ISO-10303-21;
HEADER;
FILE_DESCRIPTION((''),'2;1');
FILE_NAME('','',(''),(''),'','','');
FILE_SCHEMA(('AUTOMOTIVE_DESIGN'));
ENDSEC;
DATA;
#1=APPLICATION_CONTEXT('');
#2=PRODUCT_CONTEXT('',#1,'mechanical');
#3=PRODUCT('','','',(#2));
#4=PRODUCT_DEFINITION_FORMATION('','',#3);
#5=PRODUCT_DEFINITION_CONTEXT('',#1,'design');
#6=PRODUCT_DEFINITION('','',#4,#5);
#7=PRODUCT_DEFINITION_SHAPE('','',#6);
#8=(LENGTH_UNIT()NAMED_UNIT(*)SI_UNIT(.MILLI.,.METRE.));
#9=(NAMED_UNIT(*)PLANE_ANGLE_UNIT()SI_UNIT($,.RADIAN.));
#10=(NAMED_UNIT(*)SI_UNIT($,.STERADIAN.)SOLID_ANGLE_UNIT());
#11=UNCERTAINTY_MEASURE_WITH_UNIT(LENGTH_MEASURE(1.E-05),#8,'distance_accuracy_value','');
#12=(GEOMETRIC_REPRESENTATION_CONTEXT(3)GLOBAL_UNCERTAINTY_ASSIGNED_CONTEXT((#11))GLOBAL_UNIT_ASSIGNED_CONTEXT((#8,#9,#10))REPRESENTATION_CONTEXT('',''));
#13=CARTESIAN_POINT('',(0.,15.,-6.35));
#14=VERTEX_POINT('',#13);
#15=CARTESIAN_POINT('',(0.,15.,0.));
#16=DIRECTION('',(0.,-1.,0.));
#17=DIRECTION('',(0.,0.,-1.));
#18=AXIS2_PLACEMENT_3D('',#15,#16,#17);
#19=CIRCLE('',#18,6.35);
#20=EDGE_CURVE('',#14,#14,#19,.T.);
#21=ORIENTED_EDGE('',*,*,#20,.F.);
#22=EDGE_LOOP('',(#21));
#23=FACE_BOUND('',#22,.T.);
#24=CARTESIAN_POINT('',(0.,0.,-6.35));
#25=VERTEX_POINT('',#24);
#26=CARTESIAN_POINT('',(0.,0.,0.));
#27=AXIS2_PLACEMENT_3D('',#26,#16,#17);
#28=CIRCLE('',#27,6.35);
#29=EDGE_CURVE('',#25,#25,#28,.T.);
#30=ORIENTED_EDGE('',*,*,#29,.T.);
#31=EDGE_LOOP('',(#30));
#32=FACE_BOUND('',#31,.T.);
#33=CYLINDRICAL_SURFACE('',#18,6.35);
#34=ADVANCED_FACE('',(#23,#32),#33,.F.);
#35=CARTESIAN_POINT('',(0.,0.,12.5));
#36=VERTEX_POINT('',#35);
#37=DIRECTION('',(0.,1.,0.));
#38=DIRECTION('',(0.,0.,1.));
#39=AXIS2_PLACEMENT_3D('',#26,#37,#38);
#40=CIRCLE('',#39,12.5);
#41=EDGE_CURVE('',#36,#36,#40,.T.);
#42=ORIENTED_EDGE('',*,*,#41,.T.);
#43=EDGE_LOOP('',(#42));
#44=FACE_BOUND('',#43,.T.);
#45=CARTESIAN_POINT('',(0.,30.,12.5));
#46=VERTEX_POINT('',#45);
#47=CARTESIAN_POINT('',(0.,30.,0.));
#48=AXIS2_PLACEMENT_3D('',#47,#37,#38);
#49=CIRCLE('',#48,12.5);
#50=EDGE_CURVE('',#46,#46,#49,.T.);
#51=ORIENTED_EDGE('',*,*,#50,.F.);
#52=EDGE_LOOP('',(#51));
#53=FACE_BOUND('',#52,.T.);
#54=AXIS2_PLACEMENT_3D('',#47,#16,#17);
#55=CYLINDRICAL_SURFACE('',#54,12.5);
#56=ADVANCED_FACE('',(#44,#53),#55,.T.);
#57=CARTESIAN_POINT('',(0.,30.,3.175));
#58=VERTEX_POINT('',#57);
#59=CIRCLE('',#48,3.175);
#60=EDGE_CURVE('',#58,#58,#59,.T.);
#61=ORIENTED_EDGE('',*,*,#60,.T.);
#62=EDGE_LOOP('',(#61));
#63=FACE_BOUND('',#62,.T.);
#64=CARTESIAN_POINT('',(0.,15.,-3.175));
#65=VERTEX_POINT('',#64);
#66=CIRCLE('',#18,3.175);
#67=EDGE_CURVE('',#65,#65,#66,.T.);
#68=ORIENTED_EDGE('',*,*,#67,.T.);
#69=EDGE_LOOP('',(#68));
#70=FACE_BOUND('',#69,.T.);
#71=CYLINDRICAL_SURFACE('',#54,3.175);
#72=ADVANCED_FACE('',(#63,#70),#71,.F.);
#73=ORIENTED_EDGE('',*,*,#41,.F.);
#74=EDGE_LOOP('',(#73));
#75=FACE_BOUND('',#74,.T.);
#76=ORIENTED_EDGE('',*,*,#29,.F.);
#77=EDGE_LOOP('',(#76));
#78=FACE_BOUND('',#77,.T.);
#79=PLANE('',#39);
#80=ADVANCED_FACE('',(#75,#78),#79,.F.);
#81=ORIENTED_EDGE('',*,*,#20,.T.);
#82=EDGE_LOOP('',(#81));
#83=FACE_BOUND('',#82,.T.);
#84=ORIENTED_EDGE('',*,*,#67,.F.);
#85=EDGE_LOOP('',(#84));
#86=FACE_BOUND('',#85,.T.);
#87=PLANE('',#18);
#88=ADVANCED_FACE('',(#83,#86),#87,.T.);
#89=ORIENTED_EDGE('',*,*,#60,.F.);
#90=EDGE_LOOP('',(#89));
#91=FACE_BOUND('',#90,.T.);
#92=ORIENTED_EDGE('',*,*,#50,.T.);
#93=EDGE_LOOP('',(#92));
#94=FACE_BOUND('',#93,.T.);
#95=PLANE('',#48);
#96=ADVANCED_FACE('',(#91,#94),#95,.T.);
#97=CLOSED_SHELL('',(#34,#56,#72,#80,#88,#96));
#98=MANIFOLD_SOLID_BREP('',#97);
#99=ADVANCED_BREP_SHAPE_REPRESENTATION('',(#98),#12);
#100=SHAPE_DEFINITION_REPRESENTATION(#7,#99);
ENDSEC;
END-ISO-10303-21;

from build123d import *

# Parameters (mm, degrees)
SKETCH1_R           = 12.5
SKETCH1_R_2         = 3.175
BOSS_EXTRUDE1_DEPTH = 30
SKETCH2_R           = 6.35
CUT_EXTRUDE1_DEPTH  = 15


with BuildPart() as part:
    # Sketch1 → Boss-Extrude1 (new body)
    with BuildSketch(Plane(origin=(0, 0, 0), x_dir=(1, 0, 0), z_dir=(0, 1, 0))):
        with Locations(Location((0, 0, 0), (0, 0, 270))):
            Circle(SKETCH1_R)
        with Locations(Location((0, 0, 0), (0, 0, 270))):
            Circle(SKETCH1_R_2, mode=Mode.SUBTRACT)
    extrude(amount=BOSS_EXTRUDE1_DEPTH)

    # Sketch2 → Cut-Extrude1 (cut)
    with BuildSketch(Plane.XZ):
        with Locations(Location((0, 0, 0), (0, 0, 270))):
            Circle(SKETCH2_R)
    extrude(amount=-CUT_EXTRUDE1_DEPTH, mode=Mode.SUBTRACT)


solid = part.part
